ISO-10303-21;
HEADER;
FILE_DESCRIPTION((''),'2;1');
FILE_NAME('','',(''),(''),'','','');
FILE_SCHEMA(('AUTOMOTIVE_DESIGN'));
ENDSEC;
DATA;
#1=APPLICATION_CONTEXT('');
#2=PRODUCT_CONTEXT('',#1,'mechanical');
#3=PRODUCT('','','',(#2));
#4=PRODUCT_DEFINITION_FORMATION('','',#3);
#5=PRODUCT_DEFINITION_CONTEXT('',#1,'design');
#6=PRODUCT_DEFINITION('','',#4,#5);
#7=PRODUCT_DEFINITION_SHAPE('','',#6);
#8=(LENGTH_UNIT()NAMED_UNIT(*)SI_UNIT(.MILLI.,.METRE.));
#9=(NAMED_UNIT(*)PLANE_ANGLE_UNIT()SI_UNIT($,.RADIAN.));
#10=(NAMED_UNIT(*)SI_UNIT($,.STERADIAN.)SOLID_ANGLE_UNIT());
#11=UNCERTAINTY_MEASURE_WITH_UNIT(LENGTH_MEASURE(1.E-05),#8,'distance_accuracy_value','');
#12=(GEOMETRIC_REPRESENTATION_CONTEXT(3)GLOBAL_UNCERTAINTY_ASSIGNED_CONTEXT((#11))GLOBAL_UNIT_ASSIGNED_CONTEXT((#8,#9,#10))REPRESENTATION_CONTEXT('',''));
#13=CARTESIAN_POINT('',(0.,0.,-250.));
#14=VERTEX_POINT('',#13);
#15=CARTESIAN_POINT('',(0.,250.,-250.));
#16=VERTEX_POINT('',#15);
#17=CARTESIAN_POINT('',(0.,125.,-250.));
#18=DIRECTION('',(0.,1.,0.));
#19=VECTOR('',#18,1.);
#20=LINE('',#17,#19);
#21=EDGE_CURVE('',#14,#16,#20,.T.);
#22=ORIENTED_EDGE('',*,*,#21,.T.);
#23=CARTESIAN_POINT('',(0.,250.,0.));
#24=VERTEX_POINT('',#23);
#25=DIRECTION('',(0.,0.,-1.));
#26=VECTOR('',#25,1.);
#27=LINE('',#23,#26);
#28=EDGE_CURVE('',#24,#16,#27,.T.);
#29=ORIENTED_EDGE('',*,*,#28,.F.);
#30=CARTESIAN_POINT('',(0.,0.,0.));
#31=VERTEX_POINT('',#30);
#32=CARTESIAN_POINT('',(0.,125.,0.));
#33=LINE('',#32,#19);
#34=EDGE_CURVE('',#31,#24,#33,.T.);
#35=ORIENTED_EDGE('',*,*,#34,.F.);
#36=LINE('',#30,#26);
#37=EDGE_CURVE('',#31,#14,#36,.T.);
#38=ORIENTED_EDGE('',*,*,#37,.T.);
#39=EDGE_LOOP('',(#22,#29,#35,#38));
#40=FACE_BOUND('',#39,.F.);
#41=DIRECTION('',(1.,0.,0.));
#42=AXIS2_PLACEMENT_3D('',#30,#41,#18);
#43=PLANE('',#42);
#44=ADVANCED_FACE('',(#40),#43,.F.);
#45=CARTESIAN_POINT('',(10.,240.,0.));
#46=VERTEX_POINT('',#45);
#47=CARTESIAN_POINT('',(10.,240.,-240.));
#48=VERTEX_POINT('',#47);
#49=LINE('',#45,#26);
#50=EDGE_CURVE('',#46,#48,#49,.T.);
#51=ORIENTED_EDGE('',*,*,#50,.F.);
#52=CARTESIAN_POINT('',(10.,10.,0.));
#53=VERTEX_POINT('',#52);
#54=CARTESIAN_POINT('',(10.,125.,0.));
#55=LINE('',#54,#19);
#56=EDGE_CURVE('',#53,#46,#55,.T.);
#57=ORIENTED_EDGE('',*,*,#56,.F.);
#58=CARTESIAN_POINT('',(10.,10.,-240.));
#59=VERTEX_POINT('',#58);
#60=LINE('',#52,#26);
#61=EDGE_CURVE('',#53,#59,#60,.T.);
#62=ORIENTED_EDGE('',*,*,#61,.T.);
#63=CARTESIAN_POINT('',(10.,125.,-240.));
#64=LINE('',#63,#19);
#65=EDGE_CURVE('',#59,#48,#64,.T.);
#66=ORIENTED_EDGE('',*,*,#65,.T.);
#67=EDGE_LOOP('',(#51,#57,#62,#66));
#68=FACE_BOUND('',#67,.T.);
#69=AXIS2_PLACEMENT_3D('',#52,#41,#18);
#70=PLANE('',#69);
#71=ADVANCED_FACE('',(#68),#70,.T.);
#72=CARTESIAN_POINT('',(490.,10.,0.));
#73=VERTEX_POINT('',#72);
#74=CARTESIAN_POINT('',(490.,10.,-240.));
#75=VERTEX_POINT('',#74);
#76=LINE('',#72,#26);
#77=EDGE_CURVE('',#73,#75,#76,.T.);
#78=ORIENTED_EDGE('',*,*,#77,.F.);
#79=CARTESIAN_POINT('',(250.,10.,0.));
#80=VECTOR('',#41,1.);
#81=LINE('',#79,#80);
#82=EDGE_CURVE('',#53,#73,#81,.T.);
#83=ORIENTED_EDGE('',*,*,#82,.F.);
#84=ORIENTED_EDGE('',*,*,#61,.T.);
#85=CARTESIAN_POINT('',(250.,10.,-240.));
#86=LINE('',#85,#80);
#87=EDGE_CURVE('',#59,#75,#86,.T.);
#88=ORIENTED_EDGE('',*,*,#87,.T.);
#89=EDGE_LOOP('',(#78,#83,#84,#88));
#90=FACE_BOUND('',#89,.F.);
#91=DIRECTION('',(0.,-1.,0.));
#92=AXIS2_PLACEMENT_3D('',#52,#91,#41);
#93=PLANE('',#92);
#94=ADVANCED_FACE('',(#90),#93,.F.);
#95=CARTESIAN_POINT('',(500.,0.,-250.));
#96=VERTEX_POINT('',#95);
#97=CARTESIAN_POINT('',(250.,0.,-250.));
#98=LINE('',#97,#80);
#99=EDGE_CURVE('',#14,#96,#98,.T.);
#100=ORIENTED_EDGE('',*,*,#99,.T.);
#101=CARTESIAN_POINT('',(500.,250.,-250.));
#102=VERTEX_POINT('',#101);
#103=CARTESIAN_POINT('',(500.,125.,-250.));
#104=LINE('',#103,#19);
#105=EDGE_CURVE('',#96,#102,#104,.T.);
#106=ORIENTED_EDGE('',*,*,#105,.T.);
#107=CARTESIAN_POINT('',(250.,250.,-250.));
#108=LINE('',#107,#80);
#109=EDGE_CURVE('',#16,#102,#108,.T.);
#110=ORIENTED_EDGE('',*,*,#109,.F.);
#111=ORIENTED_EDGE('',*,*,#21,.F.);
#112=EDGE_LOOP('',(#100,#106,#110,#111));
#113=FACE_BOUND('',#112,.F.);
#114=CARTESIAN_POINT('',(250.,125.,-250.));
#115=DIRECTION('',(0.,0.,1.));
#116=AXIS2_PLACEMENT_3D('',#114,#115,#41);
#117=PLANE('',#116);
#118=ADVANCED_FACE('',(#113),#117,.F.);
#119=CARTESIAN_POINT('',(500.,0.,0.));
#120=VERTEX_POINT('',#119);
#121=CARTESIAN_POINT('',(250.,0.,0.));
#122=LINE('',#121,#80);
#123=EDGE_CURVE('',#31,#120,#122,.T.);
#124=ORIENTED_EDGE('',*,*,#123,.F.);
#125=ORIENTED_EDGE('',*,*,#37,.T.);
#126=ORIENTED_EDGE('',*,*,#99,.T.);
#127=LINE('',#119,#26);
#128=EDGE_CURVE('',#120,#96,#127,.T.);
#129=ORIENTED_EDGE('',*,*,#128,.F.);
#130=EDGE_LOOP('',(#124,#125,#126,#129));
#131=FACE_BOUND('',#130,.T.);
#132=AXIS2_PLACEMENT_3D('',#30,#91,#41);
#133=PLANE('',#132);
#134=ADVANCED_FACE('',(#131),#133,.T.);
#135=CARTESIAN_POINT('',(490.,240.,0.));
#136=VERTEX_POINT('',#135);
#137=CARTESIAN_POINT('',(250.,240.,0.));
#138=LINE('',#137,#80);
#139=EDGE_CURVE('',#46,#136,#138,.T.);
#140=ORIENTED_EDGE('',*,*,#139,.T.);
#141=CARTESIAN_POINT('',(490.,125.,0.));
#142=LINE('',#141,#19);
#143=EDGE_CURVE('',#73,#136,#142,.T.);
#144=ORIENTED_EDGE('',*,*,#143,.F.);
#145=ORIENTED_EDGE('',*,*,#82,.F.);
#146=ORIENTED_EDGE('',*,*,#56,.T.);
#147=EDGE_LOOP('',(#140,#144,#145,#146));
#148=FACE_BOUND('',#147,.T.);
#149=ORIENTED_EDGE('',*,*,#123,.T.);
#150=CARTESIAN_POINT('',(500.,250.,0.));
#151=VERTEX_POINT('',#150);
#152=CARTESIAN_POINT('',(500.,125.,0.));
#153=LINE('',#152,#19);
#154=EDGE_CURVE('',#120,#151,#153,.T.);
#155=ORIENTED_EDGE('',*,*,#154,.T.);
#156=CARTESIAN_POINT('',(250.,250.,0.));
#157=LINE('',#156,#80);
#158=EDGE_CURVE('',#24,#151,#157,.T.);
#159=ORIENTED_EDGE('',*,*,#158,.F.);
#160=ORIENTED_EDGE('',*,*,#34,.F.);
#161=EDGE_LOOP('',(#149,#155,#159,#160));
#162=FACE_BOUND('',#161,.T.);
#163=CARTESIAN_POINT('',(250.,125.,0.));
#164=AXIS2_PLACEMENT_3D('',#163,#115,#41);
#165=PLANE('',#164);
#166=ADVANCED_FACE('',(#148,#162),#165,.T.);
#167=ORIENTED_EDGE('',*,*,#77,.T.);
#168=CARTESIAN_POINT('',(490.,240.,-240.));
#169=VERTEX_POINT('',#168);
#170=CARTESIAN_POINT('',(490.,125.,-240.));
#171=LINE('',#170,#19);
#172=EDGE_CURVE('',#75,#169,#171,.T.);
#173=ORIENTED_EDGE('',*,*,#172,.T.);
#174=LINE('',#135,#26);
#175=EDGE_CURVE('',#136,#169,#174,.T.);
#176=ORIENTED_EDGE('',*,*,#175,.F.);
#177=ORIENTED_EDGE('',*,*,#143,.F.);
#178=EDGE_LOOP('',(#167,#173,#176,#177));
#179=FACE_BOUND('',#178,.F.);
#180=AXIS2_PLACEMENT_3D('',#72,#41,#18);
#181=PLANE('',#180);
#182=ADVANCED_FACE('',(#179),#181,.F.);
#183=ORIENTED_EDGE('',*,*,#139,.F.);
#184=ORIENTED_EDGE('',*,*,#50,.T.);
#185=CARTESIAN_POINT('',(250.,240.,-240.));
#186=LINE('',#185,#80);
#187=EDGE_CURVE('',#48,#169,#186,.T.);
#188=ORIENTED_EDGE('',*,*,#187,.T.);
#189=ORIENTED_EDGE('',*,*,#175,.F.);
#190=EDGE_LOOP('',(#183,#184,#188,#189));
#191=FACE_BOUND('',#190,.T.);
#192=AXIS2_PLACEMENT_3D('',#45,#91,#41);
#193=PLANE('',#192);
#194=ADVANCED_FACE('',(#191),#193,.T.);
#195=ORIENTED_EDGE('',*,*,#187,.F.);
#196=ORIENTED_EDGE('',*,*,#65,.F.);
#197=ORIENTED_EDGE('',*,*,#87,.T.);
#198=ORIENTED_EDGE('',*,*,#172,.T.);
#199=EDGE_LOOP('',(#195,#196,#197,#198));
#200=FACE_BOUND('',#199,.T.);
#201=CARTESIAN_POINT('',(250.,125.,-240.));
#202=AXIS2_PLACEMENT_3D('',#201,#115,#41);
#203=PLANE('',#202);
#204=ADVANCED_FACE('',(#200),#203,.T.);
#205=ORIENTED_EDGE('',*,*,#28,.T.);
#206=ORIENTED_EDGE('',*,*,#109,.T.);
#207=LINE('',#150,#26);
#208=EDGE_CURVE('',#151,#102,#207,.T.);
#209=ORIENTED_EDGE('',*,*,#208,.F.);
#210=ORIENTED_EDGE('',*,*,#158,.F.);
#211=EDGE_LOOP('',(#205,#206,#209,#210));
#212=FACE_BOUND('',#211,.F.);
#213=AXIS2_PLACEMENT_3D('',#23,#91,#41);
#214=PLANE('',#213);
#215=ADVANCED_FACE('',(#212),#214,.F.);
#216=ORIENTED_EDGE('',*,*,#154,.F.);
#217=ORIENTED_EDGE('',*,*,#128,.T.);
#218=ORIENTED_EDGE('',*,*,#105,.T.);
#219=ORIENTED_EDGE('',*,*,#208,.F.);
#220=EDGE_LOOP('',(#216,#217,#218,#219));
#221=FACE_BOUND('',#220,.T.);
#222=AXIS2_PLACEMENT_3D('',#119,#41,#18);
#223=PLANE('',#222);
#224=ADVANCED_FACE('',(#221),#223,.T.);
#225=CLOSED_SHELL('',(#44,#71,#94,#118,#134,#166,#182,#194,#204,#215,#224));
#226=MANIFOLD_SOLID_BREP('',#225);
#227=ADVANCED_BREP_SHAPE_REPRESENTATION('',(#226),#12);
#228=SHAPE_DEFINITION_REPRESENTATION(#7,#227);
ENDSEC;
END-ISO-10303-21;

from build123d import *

# Parameters (mm, degrees)
F0_W     = 500
F0_H     = 250
F1_DEPTH = 250
F2_W     = 480
F2_H     = 230
F3_DEPTH = 240


with BuildPart() as f1:
    # F0 (on Top) → F1 (new body)
    with BuildSketch(Plane.XY):
        with Locations((250, 125)):
            Rectangle(F0_W, F0_H)
    extrude(amount=-F1_DEPTH)

    # F2 (on Top) → F3 (cut)
    with BuildSketch(Plane.XY):
        with Locations((250, 125)):
            Rectangle(F2_W, F2_H)
    extrude(amount=-F3_DEPTH, mode=Mode.SUBTRACT)


solid = f1.part
